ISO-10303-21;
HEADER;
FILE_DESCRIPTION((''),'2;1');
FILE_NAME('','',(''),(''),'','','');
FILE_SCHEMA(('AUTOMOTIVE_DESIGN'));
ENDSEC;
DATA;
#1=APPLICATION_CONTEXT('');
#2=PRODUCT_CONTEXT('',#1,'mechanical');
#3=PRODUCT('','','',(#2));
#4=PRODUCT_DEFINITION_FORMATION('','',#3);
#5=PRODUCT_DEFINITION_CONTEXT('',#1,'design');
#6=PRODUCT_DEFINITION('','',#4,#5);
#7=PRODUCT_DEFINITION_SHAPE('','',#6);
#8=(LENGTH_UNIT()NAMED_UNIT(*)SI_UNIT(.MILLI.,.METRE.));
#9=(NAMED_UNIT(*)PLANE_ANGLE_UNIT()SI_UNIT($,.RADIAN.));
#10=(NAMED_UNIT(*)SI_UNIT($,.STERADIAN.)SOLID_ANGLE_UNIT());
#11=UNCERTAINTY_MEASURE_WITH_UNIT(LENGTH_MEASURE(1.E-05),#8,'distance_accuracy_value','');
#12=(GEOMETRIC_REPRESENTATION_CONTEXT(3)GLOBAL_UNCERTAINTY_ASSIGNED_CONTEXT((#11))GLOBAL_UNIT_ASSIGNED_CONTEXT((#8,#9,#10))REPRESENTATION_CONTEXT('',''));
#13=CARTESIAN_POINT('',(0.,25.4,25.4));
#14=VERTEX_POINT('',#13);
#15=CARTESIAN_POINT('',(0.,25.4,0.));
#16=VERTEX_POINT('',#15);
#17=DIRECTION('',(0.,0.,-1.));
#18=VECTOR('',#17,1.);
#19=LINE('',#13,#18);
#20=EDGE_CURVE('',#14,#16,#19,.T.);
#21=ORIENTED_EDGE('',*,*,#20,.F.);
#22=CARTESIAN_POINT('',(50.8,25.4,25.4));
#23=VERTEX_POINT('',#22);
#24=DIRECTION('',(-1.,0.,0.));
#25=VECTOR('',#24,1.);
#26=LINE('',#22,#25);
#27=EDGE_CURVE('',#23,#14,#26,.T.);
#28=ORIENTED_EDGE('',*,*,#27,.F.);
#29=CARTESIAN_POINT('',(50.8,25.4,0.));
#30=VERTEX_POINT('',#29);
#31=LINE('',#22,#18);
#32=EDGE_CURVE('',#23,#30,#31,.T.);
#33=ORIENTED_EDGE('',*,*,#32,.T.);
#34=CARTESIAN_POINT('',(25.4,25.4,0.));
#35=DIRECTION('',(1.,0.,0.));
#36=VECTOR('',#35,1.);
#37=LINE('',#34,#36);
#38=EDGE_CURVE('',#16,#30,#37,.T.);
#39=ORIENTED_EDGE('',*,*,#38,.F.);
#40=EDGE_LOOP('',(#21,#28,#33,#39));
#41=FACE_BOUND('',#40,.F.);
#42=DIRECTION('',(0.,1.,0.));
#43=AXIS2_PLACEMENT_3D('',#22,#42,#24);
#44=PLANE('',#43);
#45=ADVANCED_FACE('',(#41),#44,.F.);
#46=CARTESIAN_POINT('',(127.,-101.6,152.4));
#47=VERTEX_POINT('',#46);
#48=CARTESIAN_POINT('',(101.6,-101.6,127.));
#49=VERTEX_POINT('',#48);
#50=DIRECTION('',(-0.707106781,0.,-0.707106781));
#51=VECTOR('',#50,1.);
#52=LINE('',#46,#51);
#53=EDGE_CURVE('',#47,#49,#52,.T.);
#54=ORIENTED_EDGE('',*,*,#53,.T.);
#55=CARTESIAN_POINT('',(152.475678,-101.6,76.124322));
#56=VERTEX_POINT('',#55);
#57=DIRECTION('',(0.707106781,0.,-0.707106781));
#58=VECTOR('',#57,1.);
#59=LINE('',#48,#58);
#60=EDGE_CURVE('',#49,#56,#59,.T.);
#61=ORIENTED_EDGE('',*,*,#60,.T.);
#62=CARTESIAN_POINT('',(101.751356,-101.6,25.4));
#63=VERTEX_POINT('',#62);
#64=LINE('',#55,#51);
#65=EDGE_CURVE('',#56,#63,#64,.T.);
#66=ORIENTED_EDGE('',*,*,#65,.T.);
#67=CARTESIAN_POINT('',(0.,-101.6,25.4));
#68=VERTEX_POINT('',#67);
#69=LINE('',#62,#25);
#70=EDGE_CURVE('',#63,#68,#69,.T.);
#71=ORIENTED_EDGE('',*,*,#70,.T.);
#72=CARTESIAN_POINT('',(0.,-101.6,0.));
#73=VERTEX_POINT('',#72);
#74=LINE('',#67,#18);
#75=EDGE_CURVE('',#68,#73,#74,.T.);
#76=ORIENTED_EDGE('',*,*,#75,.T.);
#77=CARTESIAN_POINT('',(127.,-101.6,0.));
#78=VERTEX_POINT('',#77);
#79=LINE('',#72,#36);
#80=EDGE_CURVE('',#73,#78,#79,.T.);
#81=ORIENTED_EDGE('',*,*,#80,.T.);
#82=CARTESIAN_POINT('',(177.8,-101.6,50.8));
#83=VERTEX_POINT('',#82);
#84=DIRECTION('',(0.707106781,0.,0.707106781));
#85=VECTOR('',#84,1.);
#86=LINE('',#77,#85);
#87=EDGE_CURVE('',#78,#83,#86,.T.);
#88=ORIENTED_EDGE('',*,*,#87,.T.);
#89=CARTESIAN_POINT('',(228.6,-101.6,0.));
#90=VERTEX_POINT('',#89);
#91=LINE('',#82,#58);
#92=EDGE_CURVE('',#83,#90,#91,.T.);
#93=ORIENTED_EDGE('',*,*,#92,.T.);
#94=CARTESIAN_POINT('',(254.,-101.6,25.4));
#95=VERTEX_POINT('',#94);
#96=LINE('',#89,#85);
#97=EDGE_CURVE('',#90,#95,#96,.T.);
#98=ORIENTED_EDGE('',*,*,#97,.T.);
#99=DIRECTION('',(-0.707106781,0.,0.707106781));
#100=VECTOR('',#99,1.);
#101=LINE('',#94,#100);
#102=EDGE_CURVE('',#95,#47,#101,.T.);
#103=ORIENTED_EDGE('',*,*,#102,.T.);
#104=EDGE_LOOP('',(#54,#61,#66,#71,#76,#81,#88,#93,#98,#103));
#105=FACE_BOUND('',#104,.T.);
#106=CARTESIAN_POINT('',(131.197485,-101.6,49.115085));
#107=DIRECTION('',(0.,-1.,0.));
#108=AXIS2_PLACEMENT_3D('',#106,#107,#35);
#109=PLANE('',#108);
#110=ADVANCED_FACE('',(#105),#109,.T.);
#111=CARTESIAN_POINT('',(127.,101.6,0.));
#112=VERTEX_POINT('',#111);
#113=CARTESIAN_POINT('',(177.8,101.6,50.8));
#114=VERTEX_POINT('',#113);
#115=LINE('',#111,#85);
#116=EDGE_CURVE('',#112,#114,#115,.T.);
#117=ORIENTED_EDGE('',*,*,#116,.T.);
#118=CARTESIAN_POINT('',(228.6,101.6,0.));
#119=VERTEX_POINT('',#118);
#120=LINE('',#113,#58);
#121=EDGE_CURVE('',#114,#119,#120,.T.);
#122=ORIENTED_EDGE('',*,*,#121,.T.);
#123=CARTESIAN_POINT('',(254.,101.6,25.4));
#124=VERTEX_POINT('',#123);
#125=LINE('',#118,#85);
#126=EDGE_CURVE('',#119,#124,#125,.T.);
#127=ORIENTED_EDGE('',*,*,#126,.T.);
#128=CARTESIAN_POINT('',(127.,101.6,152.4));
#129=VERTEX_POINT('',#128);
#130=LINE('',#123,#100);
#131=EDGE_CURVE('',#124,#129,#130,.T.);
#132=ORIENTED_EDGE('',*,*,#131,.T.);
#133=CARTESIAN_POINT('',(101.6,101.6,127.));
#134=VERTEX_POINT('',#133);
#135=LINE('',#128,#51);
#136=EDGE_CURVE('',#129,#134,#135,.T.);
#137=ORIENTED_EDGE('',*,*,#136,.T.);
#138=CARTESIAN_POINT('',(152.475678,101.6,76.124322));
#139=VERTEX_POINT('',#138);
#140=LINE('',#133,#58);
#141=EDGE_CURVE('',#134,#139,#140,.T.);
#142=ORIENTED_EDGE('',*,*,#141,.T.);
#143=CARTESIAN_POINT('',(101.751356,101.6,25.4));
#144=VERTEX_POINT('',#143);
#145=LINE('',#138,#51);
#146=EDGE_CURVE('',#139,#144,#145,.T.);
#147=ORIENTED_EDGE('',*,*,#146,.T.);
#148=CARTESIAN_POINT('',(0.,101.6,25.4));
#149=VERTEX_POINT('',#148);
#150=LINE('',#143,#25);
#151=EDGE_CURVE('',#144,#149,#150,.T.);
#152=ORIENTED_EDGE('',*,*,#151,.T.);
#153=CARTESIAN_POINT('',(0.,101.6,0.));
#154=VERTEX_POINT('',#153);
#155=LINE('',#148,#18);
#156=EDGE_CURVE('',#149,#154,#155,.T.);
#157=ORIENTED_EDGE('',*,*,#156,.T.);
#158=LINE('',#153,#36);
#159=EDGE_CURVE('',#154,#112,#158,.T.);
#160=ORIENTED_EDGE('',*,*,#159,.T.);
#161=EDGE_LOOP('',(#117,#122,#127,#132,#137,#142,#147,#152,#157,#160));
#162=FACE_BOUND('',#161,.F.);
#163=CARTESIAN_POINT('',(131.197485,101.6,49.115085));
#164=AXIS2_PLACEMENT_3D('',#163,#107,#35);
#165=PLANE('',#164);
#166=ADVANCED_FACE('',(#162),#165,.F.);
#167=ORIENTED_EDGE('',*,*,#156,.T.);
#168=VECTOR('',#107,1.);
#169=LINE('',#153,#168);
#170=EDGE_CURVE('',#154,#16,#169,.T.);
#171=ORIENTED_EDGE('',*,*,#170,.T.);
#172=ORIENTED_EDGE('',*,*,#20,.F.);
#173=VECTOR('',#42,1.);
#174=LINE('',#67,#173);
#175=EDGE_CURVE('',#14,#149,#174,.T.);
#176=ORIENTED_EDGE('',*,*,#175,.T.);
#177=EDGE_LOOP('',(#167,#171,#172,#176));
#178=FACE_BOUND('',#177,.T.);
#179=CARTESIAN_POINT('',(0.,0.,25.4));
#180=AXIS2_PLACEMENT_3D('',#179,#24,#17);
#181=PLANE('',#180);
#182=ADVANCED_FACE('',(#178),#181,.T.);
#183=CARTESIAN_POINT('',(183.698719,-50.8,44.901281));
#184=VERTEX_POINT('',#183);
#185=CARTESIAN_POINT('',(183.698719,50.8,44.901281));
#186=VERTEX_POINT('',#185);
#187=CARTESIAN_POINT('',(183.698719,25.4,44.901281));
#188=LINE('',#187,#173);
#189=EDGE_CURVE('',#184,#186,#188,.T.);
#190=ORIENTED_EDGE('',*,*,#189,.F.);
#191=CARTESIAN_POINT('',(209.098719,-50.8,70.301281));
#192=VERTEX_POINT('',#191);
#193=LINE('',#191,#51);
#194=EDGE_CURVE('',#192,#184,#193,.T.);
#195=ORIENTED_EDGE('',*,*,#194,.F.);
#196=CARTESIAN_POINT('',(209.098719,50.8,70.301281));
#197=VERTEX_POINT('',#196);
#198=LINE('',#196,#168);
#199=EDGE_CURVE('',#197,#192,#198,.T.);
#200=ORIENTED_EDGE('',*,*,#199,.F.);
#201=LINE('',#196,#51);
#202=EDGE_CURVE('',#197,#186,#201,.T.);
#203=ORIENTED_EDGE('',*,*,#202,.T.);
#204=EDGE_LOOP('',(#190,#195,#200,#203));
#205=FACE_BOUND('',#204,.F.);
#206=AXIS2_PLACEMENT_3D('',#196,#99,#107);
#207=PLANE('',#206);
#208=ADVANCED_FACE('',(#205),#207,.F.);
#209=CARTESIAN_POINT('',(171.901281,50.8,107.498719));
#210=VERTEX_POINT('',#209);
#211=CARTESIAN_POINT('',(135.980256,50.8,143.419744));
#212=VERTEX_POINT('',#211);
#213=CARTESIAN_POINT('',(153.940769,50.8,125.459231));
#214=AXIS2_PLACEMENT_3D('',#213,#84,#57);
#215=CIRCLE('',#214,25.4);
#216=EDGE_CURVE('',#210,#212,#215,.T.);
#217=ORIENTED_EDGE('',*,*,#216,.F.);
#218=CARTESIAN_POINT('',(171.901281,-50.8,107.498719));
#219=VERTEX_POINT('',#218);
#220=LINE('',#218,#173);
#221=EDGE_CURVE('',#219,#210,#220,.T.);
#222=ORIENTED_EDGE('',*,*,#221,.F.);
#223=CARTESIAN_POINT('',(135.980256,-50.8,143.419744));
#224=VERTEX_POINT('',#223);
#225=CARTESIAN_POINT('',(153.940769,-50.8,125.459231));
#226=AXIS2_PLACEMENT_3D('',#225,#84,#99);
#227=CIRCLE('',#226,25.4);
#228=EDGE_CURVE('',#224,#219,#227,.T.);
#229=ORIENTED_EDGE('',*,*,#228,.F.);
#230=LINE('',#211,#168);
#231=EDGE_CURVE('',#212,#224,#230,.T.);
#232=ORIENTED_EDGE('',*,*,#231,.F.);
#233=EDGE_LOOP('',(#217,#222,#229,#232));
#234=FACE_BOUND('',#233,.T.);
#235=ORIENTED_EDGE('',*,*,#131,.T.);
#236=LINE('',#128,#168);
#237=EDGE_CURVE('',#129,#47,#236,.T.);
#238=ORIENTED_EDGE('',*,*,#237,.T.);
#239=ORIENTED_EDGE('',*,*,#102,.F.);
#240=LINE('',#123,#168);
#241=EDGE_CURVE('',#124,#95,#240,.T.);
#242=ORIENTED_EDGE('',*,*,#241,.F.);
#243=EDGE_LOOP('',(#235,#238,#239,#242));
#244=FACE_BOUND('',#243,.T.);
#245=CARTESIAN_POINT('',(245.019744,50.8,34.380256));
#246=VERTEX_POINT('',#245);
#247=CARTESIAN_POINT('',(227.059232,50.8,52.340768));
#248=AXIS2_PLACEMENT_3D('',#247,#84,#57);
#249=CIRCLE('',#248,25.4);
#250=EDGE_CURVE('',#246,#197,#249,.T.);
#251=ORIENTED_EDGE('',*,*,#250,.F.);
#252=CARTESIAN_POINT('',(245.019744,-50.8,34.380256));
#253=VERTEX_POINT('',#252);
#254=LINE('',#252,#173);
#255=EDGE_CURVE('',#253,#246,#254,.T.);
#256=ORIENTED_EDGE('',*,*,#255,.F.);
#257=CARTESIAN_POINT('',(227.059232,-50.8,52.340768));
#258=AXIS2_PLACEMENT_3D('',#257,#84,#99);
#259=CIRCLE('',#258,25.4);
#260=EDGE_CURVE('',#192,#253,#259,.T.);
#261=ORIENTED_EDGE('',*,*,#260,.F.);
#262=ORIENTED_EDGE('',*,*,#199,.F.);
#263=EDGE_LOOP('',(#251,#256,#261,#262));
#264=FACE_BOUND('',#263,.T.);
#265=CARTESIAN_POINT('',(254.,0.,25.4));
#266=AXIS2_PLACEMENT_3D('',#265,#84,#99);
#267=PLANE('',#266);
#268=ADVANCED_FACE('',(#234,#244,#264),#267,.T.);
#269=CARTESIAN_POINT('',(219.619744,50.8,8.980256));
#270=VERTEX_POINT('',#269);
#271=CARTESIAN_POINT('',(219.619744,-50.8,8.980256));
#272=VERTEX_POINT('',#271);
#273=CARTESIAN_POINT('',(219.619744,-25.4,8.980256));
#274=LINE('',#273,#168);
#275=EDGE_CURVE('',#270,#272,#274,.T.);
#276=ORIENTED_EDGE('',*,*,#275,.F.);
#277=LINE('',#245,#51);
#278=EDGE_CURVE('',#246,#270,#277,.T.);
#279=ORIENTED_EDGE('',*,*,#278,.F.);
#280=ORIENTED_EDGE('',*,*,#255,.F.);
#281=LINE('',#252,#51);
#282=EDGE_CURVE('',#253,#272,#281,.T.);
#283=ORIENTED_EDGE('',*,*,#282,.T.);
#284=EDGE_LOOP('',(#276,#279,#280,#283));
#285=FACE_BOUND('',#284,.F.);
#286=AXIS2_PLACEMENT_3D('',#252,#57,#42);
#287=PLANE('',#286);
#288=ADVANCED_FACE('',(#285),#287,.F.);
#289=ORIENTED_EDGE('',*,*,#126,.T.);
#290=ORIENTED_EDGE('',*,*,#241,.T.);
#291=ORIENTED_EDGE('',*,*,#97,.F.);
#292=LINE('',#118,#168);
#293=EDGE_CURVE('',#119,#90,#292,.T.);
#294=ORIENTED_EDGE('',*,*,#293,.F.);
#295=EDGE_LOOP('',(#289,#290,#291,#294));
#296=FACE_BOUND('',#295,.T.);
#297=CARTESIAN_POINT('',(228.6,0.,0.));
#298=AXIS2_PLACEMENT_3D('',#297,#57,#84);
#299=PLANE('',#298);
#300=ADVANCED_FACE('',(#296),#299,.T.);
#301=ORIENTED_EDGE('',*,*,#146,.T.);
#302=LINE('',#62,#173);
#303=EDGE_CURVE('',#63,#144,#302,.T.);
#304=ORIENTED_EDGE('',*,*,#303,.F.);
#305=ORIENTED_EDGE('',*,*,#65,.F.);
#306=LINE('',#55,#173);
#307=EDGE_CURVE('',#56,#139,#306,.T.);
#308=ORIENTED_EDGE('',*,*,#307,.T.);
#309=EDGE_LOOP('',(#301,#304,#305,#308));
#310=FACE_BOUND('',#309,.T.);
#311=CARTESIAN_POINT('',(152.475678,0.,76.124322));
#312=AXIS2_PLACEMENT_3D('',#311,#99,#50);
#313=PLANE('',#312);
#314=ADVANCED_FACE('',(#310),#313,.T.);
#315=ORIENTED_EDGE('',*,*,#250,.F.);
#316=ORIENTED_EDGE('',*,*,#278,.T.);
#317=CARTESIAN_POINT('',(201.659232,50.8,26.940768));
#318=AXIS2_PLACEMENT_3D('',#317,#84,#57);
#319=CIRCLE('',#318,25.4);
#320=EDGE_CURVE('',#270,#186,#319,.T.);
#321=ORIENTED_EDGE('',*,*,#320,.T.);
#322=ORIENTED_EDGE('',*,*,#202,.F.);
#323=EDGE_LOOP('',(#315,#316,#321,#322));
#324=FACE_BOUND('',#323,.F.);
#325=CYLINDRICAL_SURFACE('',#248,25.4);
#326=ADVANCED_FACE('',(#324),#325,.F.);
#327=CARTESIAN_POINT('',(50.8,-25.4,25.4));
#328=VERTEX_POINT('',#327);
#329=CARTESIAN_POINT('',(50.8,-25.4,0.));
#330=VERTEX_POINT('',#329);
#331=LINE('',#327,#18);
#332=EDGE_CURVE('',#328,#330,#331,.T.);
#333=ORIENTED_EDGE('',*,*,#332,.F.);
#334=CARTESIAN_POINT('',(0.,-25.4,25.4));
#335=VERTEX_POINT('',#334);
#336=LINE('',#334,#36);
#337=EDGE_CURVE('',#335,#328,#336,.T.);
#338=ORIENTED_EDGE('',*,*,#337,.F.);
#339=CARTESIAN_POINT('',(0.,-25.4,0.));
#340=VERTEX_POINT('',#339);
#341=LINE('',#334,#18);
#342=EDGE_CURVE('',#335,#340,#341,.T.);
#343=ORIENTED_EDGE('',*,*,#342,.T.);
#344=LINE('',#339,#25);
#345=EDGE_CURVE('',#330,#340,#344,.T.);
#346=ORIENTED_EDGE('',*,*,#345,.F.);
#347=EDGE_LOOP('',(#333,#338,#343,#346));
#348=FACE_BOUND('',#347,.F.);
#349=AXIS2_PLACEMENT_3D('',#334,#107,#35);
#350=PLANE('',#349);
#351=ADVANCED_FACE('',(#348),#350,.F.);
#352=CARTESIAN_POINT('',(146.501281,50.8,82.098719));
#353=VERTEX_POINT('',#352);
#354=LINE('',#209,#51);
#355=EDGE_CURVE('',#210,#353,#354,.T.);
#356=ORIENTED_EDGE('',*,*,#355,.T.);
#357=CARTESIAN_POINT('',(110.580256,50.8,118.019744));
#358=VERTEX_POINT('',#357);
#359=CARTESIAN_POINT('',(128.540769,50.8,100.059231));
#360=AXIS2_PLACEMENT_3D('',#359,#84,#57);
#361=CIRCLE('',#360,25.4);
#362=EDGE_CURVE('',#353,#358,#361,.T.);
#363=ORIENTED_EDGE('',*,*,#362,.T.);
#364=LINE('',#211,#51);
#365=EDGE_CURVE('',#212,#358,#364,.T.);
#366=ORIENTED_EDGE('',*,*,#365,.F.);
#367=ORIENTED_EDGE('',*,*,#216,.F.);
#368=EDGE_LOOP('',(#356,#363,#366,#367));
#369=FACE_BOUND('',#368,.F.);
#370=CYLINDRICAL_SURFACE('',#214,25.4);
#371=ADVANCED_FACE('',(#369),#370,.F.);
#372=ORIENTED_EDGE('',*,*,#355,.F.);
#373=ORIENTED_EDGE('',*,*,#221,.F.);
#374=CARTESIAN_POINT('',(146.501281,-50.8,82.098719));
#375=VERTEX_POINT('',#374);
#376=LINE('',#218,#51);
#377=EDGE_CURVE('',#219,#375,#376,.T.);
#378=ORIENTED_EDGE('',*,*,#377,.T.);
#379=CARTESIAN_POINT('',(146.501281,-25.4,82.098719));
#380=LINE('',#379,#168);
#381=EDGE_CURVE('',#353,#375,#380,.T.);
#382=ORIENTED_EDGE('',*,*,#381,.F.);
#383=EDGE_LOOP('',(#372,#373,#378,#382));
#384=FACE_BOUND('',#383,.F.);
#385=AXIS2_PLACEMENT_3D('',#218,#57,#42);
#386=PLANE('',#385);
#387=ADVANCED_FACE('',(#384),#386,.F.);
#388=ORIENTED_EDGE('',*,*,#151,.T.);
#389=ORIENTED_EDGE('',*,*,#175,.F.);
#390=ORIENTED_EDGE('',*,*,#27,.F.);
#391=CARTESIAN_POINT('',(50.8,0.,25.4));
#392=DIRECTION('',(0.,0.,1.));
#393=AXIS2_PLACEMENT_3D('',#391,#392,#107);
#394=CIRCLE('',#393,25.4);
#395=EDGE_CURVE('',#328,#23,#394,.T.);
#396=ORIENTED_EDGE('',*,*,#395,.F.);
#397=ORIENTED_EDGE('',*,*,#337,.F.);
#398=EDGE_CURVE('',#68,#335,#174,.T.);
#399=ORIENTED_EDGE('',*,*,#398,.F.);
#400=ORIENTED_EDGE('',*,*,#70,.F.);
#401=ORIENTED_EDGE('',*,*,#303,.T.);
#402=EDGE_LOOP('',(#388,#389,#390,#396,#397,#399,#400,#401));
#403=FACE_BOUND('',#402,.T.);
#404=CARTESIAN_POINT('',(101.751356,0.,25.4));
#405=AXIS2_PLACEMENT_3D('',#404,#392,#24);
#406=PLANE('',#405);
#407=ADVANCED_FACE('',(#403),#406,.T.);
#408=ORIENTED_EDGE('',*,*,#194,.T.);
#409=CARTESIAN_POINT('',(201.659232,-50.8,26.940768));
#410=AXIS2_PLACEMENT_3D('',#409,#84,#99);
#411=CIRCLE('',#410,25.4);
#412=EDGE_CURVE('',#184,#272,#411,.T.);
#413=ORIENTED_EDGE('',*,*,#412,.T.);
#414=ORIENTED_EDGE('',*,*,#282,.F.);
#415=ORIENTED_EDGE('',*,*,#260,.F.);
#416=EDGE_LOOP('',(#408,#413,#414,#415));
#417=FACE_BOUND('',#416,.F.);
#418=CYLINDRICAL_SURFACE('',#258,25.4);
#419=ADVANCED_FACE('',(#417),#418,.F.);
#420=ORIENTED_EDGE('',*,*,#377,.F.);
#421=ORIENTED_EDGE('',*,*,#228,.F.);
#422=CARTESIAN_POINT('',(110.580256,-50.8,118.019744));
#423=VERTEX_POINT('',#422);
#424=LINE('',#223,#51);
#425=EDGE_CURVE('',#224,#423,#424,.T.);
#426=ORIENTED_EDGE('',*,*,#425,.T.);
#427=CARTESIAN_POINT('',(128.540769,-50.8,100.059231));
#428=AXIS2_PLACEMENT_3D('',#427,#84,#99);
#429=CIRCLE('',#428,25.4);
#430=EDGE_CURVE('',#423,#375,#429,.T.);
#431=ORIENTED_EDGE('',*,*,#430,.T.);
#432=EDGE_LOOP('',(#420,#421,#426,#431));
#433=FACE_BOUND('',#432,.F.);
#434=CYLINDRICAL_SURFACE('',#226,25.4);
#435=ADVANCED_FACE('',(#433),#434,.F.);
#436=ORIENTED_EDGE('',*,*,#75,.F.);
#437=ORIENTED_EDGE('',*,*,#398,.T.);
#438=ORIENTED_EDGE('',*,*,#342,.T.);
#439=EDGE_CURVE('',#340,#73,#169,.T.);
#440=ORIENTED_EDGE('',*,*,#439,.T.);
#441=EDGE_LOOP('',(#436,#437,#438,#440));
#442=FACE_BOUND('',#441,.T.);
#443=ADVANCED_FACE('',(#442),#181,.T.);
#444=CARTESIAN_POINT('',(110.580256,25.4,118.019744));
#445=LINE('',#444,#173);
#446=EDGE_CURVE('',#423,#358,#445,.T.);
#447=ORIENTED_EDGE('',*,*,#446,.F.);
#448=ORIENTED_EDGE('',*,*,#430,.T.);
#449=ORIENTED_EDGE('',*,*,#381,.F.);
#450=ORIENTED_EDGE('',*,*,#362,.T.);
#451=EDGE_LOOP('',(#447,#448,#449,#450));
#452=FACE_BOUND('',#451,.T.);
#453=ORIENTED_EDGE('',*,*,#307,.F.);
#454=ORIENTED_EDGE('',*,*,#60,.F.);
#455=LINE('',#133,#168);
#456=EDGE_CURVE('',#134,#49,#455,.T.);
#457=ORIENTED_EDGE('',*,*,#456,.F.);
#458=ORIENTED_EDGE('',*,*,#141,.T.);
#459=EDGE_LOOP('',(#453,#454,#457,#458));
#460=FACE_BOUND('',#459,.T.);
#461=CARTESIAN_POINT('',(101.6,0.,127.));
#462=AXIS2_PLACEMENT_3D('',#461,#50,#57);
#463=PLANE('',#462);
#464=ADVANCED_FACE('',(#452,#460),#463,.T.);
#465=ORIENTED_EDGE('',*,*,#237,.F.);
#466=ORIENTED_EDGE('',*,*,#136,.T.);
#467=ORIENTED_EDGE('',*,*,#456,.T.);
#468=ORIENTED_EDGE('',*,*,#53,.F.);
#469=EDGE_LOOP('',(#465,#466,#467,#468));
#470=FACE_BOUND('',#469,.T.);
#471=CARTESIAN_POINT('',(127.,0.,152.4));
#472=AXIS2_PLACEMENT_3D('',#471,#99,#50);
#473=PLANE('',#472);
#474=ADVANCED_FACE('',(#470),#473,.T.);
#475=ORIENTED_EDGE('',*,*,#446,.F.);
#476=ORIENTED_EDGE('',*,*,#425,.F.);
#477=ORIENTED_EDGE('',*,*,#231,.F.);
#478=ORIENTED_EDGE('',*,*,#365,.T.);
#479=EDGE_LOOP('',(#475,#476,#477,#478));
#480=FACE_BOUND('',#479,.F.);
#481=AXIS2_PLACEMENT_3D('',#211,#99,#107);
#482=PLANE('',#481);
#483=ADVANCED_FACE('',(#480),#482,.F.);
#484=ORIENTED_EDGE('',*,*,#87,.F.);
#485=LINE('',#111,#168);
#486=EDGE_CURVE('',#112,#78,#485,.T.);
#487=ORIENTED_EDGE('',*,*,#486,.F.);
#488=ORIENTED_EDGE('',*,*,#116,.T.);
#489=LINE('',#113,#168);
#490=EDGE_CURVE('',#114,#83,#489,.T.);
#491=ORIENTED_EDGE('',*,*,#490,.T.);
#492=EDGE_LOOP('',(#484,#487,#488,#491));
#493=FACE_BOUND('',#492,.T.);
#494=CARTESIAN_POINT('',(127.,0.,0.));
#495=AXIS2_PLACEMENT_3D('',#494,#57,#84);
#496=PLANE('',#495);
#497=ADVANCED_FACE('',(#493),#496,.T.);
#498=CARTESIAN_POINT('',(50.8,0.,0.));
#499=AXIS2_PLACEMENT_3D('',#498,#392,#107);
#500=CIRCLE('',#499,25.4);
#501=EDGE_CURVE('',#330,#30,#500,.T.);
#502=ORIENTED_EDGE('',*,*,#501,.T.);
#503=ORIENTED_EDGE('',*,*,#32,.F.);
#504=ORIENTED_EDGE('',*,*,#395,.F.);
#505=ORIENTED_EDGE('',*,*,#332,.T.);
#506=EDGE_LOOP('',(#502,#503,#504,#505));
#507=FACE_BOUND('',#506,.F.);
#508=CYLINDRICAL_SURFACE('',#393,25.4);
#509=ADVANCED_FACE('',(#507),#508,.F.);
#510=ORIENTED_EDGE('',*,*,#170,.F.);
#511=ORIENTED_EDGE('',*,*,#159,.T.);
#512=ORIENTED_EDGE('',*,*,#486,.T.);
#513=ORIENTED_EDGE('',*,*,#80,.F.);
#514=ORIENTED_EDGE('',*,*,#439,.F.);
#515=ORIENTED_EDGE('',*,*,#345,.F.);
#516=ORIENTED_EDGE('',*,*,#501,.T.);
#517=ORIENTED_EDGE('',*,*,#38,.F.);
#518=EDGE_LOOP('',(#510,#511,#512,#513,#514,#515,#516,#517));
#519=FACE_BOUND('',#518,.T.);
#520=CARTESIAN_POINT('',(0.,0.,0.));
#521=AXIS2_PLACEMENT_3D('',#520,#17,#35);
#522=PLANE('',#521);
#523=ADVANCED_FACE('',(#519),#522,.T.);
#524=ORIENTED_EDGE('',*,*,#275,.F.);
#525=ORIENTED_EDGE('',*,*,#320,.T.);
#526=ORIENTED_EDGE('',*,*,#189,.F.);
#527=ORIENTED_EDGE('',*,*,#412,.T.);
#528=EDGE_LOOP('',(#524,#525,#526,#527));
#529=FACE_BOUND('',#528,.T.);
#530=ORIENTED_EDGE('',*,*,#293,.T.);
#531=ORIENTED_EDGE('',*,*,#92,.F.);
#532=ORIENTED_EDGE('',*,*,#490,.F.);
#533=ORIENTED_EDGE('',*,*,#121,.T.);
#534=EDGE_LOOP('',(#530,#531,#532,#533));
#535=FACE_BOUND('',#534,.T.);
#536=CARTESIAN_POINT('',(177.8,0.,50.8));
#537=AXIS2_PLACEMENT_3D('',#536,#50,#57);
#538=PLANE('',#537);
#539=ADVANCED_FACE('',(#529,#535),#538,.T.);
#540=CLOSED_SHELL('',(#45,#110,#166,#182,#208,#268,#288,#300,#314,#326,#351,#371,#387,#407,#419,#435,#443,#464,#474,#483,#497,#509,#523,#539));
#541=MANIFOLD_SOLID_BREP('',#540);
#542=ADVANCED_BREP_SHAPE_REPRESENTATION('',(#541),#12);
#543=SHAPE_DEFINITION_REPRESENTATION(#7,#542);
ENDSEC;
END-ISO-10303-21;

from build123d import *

# Parameters (mm, degrees)
F1_DEPTH = 101.6
F4_DEPTH = 25.401
F5_DEPTH = 76.2


with BuildPart() as f1:
    # F0 (on Front) → F1 (new body, symmetric)
    with BuildSketch(Plane.XZ):
        Polygon((0, 25.4), (0, 0), (127, 0), (177.8, 50.8), (228.6, 0), (254, 25.4), (127, 152.4), (101.6, 127), (152.475678, 76.124322), (101.751356, 25.4), align=None)
    extrude(amount=F1_DEPTH, both=True)

    # F3 (on face) → F4 (cut, through all)
    with BuildSketch(Plane.XY.offset(25.4)):
        with BuildLine():
            Line((50.8, 25.4), (0, 25.4))
            Line((0, 25.4), (0, -25.4))
            Line((0, -25.4), (50.8, -25.4))
            ThreePointArc((50.8, -25.4), (76.2, 0), (50.8, 25.4))
        make_face()
    extrude(amount=-F4_DEPTH, mode=Mode.SUBTRACT)

    # F2 (on face) → F5 (cut)
    with BuildSketch(Plane(origin=(139.7, 0, 139.7), x_dir=(0, 1, 0), z_dir=(0.707107, 0, 0.707107))):
        with BuildLine():
            ThreePointArc((50.8, -45.539488), (76.2, -20.139488), (50.8, 5.260512))
            Line((50.8, 5.260512), (-50.8, 5.260512))
            ThreePointArc((-50.8, 5.260512), (-76.2, -20.139488), (-50.8, -45.539488))
            Line((-50.8, -45.539488), (50.8, -45.539488))
        make_face()
        with BuildLine():
            Line((-50.8, -148.94461), (50.8, -148.94461))
            ThreePointArc((50.8, -148.94461), (76.2, -123.54461), (50.8, -98.14461))
            Line((50.8, -98.14461), (-50.8, -98.14461))
            ThreePointArc((-50.8, -98.14461), (-76.2, -123.54461), (-50.8, -148.94461))
        make_face()
    extrude(amount=-F5_DEPTH, mode=Mode.SUBTRACT)


solid = f1.part
